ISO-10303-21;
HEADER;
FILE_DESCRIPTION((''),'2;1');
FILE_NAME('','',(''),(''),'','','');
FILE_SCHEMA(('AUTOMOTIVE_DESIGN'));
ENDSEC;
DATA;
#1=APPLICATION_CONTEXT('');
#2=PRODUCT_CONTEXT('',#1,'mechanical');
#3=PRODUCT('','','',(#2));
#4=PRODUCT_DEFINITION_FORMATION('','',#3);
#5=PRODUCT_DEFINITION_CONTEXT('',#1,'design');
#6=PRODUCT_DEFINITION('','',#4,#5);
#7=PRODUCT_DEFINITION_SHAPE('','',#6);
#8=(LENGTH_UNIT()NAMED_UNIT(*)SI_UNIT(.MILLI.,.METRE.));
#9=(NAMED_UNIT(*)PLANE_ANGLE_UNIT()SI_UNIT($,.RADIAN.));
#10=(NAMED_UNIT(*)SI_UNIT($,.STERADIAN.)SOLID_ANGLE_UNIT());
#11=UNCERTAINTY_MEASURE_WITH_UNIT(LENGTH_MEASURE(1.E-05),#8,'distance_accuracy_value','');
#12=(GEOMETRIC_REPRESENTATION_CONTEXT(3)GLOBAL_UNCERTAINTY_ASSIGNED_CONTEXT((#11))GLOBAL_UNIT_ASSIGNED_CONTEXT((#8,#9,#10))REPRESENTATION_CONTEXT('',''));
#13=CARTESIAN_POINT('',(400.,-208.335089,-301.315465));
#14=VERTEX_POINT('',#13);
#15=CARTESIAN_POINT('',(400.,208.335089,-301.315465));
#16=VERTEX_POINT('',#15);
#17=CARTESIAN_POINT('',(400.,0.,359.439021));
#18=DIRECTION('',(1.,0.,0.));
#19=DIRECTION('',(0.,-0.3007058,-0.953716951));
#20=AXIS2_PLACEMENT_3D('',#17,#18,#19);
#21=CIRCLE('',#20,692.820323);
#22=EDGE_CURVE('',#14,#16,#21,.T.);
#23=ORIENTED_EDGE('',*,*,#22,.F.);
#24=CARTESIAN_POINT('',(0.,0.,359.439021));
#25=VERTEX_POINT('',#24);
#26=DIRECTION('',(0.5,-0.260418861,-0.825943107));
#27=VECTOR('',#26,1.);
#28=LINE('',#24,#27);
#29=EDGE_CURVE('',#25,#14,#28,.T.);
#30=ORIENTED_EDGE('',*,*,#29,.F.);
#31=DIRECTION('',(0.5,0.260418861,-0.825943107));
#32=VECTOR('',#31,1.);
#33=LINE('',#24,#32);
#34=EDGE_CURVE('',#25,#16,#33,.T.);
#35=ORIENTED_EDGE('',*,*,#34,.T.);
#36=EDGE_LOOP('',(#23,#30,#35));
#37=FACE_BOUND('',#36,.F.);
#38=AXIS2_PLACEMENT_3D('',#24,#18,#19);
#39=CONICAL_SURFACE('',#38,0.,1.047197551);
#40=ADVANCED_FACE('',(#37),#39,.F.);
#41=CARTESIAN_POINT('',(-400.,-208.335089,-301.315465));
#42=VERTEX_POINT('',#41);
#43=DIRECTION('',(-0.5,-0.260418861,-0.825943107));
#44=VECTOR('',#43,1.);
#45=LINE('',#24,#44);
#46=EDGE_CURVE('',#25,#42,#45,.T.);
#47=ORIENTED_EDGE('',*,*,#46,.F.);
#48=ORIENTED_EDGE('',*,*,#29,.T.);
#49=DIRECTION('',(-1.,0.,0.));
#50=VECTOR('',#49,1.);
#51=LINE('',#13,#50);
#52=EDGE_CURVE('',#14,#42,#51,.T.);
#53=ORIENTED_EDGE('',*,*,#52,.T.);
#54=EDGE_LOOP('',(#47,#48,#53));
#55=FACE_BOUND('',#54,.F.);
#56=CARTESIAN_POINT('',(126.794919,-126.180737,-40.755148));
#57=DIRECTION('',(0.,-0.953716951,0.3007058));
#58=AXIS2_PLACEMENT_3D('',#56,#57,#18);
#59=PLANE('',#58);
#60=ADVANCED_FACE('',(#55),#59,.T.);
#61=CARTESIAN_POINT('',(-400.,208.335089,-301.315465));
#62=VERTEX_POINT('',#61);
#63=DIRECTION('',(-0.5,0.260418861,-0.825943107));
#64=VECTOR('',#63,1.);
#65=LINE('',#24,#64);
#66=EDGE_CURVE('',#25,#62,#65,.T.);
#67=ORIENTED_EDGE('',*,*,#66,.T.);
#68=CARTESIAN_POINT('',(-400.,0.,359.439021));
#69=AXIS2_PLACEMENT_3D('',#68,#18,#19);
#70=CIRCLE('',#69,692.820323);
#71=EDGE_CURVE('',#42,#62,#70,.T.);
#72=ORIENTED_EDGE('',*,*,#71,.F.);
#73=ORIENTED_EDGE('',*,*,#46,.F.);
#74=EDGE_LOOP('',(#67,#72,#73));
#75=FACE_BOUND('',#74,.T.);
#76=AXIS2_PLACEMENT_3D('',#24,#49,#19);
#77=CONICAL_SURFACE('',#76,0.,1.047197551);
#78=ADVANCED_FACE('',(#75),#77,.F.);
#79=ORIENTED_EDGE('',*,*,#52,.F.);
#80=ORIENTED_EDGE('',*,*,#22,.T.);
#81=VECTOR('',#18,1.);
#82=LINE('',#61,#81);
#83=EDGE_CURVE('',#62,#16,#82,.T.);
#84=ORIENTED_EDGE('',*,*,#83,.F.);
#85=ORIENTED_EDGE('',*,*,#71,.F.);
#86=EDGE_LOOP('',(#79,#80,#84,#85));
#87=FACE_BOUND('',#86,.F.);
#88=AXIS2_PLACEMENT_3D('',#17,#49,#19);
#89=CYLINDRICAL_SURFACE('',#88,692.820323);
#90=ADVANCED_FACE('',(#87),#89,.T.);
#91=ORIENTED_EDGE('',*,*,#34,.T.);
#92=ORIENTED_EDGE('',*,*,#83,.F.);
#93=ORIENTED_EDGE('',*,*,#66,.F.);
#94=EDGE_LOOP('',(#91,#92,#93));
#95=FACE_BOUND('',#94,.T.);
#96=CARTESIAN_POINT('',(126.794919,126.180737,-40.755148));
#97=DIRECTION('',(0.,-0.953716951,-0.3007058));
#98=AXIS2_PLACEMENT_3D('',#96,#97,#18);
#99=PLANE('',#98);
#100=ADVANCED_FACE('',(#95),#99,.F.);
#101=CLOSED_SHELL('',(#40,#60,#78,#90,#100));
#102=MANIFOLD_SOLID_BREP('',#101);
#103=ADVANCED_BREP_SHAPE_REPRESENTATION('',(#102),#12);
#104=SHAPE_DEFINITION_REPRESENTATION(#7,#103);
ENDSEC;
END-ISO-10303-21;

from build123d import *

# Parameters (mm, degrees)
F1_ANGLE_BACK = 17.5
F1_ANGLE      = 35


with BuildPart() as f1:
    # F0 (on Front) → F1 (revolve)
    with BuildSketch(Plane.XZ, mode=Mode.PRIVATE) as f1_sk:
        Polygon((0, -333.381301863), (0, 359.4390211646), (-400, -333.381301863), align=None)
    revolve(f1_sk.sketch.rotate(Axis((-284.2236757278, 0, 359.4390211646), (1, 0, 0)), -F1_ANGLE_BACK), axis=Axis((-284.2236757278, 0, 359.4390211646), (1, 0, 0)), revolution_arc=F1_ANGLE)

    # F2: F1 across face


with BuildPart() as f1_1:
    add(f1.part)
    add(f1.part.mirror(Plane(origin=(0, 0, -95.2932200815), x_dir=(0, 1, 0), z_dir=(1, 0, 0))))


solid = f1_1.part
